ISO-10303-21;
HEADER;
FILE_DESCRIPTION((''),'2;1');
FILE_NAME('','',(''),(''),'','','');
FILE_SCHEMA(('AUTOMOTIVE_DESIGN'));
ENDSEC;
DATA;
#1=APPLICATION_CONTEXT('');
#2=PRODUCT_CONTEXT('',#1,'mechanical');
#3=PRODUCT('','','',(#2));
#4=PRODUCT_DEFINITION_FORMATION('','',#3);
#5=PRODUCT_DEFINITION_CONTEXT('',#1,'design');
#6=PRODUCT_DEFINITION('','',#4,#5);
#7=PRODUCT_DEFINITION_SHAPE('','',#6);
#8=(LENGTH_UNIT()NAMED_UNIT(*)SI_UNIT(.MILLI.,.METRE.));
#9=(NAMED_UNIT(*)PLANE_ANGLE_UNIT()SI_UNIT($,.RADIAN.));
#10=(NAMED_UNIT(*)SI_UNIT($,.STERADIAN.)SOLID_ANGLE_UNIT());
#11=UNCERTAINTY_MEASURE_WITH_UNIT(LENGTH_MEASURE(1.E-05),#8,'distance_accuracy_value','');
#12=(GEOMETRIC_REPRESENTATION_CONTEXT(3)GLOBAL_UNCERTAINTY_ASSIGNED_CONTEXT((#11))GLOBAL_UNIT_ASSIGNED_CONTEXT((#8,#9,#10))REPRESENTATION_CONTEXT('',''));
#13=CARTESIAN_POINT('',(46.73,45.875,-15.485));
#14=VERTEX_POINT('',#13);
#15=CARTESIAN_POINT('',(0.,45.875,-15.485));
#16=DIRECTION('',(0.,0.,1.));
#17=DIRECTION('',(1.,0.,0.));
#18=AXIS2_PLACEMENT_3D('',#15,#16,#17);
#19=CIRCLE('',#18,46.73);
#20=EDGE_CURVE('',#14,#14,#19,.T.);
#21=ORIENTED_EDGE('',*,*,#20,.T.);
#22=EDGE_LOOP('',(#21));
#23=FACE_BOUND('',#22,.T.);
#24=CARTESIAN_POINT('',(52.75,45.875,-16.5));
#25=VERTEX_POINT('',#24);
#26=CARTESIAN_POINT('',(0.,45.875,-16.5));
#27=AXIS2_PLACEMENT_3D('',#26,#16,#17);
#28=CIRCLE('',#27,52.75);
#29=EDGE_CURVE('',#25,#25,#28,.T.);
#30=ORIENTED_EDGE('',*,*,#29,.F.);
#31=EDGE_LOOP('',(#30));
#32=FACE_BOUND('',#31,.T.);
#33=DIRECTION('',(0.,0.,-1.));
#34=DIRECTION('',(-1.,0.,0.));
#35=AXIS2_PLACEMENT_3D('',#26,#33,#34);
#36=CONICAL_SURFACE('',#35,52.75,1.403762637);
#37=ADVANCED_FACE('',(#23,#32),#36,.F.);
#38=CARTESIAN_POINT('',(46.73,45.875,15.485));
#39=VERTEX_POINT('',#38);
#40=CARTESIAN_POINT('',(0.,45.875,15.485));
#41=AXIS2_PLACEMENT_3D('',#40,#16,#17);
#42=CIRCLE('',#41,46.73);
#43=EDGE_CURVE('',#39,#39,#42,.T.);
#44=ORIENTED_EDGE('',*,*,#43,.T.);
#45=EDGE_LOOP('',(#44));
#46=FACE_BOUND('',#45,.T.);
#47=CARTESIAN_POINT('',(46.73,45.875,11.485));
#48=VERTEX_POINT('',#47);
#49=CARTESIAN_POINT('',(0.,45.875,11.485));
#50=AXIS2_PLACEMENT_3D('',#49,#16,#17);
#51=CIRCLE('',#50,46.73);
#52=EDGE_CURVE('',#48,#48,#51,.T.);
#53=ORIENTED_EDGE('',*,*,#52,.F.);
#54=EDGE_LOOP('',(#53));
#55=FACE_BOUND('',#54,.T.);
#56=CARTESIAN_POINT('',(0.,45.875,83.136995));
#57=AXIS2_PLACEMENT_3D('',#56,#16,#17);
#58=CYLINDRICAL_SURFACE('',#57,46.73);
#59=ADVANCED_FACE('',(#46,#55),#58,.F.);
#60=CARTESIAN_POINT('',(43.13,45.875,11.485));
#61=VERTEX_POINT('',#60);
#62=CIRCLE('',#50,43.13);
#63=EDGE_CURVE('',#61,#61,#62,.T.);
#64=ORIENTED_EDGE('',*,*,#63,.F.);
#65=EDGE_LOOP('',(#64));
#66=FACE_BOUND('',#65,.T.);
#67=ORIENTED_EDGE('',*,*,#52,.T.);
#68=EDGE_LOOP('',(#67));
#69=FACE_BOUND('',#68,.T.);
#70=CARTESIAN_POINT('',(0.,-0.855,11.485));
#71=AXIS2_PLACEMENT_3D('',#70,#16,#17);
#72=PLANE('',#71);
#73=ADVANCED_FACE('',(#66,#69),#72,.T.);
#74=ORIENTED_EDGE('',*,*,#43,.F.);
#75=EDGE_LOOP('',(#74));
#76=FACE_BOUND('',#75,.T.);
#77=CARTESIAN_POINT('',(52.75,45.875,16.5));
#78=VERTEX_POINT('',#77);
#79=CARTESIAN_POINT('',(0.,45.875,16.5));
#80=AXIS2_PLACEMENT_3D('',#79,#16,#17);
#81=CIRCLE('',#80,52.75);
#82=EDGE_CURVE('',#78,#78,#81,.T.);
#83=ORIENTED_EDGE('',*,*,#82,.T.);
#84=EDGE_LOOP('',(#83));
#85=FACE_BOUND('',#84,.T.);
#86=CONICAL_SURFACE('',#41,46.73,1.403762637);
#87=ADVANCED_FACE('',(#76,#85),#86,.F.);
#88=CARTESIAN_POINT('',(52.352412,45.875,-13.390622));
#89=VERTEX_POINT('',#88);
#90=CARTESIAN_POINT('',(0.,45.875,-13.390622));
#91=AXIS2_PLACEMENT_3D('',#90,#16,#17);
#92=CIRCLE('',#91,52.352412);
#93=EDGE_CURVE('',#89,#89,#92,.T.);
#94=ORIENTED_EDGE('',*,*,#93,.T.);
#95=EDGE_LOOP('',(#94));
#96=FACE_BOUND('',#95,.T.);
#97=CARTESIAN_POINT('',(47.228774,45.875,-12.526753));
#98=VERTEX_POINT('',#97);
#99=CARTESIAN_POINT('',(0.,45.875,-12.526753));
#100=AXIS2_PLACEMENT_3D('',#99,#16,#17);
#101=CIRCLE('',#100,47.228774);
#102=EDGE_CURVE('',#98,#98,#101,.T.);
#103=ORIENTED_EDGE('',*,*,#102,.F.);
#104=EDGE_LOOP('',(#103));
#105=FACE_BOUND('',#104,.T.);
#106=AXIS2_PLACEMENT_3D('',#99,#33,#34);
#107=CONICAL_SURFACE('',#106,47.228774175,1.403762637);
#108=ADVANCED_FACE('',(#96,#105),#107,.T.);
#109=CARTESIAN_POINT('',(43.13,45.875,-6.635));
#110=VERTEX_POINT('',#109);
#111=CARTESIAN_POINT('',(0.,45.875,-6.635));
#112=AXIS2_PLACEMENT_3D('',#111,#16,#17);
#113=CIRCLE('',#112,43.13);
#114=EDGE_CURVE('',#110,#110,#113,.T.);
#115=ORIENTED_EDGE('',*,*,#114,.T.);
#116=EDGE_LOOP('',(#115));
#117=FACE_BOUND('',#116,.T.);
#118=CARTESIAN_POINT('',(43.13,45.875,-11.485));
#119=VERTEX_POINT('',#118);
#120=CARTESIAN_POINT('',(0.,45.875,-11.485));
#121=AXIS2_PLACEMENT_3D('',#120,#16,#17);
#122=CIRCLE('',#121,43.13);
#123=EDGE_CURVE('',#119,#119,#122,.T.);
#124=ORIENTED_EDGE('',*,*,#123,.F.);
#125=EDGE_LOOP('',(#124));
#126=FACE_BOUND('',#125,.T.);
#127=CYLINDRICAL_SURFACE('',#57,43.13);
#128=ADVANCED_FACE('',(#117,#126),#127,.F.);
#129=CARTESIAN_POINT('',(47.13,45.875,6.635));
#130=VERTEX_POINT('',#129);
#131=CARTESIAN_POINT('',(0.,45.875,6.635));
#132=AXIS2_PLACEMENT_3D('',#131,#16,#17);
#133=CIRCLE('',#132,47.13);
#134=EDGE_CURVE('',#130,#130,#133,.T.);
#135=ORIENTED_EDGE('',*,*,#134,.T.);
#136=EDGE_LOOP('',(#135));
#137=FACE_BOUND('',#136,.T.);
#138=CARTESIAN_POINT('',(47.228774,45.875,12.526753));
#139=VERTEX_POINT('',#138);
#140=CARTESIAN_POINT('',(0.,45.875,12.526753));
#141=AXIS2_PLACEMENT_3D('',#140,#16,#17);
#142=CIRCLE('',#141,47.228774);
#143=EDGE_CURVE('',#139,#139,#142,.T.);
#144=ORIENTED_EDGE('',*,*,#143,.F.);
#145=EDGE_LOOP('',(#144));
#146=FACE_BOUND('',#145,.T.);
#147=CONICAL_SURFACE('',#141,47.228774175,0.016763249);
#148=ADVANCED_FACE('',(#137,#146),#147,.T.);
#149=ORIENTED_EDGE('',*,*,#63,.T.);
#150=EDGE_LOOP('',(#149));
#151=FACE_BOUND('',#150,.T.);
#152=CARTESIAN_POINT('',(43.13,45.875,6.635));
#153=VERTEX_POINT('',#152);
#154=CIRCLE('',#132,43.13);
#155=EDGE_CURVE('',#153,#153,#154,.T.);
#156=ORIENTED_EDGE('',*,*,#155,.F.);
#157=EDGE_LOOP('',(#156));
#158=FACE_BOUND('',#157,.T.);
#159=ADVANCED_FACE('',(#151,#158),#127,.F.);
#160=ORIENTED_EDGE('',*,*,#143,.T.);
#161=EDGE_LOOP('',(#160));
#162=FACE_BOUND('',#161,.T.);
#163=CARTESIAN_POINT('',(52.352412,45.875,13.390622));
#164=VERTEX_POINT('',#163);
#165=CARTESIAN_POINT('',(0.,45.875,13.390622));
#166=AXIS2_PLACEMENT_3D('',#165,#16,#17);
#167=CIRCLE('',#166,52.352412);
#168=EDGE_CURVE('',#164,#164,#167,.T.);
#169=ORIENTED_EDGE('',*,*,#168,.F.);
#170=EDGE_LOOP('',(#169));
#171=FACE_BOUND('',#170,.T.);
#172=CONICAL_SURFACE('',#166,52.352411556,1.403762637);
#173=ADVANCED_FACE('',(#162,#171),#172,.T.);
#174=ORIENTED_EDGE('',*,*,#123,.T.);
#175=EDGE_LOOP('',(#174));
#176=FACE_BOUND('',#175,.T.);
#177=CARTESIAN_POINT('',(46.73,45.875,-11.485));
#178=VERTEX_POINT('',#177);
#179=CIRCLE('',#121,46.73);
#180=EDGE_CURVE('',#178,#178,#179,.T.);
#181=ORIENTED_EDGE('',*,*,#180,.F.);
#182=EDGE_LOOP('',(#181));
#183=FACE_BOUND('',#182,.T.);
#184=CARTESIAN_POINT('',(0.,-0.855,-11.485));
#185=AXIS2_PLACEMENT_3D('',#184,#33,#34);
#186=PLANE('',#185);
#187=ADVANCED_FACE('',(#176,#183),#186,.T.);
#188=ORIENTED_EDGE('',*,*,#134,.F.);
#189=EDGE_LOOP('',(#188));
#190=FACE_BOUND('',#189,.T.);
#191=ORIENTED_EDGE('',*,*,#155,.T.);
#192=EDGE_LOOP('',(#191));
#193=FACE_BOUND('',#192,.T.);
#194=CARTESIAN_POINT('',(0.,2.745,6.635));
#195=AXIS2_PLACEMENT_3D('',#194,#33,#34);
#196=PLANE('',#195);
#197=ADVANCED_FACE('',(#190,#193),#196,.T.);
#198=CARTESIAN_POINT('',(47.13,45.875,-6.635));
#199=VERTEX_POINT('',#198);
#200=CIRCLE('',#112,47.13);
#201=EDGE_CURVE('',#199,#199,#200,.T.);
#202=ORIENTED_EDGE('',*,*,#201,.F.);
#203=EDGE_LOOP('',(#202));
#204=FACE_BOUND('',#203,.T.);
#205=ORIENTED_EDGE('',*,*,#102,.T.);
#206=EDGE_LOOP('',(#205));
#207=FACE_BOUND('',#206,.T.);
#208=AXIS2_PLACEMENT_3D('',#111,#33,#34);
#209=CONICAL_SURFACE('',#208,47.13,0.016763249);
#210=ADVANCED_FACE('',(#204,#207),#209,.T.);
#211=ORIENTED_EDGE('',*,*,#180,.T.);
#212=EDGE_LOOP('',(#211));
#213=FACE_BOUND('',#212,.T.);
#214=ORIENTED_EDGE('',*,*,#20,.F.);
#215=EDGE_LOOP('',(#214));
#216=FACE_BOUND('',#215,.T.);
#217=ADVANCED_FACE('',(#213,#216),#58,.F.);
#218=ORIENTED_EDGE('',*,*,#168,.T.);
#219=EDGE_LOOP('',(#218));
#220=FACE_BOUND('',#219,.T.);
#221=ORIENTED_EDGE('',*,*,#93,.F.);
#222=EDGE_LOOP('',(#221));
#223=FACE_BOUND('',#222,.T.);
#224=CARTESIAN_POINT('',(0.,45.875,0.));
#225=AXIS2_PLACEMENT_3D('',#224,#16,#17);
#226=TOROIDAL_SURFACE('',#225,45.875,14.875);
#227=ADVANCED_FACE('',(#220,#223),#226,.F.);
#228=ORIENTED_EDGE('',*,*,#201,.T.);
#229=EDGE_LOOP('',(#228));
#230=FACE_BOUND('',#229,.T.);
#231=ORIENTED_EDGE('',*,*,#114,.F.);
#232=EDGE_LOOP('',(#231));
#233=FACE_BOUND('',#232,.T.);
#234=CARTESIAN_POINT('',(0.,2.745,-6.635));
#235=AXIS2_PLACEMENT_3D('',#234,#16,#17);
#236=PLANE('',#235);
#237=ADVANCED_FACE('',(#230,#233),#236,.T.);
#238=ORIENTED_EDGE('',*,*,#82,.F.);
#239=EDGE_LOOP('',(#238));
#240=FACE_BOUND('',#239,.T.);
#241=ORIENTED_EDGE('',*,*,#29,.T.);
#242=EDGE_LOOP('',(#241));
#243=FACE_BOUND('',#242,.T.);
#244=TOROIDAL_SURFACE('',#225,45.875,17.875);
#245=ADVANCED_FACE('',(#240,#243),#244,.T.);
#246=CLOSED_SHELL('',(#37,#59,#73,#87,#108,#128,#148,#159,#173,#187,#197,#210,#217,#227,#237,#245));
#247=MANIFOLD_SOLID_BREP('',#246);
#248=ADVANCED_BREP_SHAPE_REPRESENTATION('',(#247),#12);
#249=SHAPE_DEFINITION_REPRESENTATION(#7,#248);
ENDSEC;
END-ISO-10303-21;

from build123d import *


with BuildPart() as part:
    # Schizzo1 → Rivoluzione1 (revolve)
    with BuildSketch(Plane(origin=(0, 0, 0), x_dir=(0, 0, -1), z_dir=(1, 0, 0)), mode=Mode.PRIVATE) as rivoluzione1_sk:
        with BuildLine():
            Line((-16.5, -6.875), (-15.485, -0.855))
            Line((-15.485, -0.855), (-11.485, -0.855))
            Line((-11.485, -0.855), (-11.485, 2.745))
            Line((-11.485, 2.745), (-6.635, 2.745))
            Line((-6.635, 2.745), (-6.635, -1.255))
            Line((-6.635, -1.255), (-12.526753167, -1.353774175))
            Line((-12.526753167, -1.353774175), (-13.390622261, -6.477411556))
            ThreePointArc((-13.390622261, -6.477411556), (-7.902978176, -12.601926874), (0, -14.875))
            ThreePointArc((0, -14.875), (7.902978176, -12.601926874), (13.390622261, -6.477411556))
            Line((13.390622261, -6.477411556), (12.526753167, -1.353774175))
            Line((12.526753167, -1.353774175), (6.635, -1.255))
            Line((6.635, -1.255), (6.635, 2.745))
            Line((6.635, 2.745), (11.485, 2.745))
            Line((11.485, 2.745), (11.485, -0.855))
            Line((11.485, -0.855), (15.485, -0.855))
            Line((15.485, -0.855), (16.5, -6.875))
            ThreePointArc((16.5, -6.875), (9.915266008, -14.872899011), (0, -17.875))
            ThreePointArc((0, -17.875), (-9.915266008, -14.872899011), (-16.5, -6.875))
        make_face()
    revolve(rivoluzione1_sk.sketch.rotate(Axis((0, 45.875, 83.136994768), (0, 0, -1)), 270), axis=Axis((0, 45.875, 83.136994768), (0, 0, -1)))


solid = part.part
